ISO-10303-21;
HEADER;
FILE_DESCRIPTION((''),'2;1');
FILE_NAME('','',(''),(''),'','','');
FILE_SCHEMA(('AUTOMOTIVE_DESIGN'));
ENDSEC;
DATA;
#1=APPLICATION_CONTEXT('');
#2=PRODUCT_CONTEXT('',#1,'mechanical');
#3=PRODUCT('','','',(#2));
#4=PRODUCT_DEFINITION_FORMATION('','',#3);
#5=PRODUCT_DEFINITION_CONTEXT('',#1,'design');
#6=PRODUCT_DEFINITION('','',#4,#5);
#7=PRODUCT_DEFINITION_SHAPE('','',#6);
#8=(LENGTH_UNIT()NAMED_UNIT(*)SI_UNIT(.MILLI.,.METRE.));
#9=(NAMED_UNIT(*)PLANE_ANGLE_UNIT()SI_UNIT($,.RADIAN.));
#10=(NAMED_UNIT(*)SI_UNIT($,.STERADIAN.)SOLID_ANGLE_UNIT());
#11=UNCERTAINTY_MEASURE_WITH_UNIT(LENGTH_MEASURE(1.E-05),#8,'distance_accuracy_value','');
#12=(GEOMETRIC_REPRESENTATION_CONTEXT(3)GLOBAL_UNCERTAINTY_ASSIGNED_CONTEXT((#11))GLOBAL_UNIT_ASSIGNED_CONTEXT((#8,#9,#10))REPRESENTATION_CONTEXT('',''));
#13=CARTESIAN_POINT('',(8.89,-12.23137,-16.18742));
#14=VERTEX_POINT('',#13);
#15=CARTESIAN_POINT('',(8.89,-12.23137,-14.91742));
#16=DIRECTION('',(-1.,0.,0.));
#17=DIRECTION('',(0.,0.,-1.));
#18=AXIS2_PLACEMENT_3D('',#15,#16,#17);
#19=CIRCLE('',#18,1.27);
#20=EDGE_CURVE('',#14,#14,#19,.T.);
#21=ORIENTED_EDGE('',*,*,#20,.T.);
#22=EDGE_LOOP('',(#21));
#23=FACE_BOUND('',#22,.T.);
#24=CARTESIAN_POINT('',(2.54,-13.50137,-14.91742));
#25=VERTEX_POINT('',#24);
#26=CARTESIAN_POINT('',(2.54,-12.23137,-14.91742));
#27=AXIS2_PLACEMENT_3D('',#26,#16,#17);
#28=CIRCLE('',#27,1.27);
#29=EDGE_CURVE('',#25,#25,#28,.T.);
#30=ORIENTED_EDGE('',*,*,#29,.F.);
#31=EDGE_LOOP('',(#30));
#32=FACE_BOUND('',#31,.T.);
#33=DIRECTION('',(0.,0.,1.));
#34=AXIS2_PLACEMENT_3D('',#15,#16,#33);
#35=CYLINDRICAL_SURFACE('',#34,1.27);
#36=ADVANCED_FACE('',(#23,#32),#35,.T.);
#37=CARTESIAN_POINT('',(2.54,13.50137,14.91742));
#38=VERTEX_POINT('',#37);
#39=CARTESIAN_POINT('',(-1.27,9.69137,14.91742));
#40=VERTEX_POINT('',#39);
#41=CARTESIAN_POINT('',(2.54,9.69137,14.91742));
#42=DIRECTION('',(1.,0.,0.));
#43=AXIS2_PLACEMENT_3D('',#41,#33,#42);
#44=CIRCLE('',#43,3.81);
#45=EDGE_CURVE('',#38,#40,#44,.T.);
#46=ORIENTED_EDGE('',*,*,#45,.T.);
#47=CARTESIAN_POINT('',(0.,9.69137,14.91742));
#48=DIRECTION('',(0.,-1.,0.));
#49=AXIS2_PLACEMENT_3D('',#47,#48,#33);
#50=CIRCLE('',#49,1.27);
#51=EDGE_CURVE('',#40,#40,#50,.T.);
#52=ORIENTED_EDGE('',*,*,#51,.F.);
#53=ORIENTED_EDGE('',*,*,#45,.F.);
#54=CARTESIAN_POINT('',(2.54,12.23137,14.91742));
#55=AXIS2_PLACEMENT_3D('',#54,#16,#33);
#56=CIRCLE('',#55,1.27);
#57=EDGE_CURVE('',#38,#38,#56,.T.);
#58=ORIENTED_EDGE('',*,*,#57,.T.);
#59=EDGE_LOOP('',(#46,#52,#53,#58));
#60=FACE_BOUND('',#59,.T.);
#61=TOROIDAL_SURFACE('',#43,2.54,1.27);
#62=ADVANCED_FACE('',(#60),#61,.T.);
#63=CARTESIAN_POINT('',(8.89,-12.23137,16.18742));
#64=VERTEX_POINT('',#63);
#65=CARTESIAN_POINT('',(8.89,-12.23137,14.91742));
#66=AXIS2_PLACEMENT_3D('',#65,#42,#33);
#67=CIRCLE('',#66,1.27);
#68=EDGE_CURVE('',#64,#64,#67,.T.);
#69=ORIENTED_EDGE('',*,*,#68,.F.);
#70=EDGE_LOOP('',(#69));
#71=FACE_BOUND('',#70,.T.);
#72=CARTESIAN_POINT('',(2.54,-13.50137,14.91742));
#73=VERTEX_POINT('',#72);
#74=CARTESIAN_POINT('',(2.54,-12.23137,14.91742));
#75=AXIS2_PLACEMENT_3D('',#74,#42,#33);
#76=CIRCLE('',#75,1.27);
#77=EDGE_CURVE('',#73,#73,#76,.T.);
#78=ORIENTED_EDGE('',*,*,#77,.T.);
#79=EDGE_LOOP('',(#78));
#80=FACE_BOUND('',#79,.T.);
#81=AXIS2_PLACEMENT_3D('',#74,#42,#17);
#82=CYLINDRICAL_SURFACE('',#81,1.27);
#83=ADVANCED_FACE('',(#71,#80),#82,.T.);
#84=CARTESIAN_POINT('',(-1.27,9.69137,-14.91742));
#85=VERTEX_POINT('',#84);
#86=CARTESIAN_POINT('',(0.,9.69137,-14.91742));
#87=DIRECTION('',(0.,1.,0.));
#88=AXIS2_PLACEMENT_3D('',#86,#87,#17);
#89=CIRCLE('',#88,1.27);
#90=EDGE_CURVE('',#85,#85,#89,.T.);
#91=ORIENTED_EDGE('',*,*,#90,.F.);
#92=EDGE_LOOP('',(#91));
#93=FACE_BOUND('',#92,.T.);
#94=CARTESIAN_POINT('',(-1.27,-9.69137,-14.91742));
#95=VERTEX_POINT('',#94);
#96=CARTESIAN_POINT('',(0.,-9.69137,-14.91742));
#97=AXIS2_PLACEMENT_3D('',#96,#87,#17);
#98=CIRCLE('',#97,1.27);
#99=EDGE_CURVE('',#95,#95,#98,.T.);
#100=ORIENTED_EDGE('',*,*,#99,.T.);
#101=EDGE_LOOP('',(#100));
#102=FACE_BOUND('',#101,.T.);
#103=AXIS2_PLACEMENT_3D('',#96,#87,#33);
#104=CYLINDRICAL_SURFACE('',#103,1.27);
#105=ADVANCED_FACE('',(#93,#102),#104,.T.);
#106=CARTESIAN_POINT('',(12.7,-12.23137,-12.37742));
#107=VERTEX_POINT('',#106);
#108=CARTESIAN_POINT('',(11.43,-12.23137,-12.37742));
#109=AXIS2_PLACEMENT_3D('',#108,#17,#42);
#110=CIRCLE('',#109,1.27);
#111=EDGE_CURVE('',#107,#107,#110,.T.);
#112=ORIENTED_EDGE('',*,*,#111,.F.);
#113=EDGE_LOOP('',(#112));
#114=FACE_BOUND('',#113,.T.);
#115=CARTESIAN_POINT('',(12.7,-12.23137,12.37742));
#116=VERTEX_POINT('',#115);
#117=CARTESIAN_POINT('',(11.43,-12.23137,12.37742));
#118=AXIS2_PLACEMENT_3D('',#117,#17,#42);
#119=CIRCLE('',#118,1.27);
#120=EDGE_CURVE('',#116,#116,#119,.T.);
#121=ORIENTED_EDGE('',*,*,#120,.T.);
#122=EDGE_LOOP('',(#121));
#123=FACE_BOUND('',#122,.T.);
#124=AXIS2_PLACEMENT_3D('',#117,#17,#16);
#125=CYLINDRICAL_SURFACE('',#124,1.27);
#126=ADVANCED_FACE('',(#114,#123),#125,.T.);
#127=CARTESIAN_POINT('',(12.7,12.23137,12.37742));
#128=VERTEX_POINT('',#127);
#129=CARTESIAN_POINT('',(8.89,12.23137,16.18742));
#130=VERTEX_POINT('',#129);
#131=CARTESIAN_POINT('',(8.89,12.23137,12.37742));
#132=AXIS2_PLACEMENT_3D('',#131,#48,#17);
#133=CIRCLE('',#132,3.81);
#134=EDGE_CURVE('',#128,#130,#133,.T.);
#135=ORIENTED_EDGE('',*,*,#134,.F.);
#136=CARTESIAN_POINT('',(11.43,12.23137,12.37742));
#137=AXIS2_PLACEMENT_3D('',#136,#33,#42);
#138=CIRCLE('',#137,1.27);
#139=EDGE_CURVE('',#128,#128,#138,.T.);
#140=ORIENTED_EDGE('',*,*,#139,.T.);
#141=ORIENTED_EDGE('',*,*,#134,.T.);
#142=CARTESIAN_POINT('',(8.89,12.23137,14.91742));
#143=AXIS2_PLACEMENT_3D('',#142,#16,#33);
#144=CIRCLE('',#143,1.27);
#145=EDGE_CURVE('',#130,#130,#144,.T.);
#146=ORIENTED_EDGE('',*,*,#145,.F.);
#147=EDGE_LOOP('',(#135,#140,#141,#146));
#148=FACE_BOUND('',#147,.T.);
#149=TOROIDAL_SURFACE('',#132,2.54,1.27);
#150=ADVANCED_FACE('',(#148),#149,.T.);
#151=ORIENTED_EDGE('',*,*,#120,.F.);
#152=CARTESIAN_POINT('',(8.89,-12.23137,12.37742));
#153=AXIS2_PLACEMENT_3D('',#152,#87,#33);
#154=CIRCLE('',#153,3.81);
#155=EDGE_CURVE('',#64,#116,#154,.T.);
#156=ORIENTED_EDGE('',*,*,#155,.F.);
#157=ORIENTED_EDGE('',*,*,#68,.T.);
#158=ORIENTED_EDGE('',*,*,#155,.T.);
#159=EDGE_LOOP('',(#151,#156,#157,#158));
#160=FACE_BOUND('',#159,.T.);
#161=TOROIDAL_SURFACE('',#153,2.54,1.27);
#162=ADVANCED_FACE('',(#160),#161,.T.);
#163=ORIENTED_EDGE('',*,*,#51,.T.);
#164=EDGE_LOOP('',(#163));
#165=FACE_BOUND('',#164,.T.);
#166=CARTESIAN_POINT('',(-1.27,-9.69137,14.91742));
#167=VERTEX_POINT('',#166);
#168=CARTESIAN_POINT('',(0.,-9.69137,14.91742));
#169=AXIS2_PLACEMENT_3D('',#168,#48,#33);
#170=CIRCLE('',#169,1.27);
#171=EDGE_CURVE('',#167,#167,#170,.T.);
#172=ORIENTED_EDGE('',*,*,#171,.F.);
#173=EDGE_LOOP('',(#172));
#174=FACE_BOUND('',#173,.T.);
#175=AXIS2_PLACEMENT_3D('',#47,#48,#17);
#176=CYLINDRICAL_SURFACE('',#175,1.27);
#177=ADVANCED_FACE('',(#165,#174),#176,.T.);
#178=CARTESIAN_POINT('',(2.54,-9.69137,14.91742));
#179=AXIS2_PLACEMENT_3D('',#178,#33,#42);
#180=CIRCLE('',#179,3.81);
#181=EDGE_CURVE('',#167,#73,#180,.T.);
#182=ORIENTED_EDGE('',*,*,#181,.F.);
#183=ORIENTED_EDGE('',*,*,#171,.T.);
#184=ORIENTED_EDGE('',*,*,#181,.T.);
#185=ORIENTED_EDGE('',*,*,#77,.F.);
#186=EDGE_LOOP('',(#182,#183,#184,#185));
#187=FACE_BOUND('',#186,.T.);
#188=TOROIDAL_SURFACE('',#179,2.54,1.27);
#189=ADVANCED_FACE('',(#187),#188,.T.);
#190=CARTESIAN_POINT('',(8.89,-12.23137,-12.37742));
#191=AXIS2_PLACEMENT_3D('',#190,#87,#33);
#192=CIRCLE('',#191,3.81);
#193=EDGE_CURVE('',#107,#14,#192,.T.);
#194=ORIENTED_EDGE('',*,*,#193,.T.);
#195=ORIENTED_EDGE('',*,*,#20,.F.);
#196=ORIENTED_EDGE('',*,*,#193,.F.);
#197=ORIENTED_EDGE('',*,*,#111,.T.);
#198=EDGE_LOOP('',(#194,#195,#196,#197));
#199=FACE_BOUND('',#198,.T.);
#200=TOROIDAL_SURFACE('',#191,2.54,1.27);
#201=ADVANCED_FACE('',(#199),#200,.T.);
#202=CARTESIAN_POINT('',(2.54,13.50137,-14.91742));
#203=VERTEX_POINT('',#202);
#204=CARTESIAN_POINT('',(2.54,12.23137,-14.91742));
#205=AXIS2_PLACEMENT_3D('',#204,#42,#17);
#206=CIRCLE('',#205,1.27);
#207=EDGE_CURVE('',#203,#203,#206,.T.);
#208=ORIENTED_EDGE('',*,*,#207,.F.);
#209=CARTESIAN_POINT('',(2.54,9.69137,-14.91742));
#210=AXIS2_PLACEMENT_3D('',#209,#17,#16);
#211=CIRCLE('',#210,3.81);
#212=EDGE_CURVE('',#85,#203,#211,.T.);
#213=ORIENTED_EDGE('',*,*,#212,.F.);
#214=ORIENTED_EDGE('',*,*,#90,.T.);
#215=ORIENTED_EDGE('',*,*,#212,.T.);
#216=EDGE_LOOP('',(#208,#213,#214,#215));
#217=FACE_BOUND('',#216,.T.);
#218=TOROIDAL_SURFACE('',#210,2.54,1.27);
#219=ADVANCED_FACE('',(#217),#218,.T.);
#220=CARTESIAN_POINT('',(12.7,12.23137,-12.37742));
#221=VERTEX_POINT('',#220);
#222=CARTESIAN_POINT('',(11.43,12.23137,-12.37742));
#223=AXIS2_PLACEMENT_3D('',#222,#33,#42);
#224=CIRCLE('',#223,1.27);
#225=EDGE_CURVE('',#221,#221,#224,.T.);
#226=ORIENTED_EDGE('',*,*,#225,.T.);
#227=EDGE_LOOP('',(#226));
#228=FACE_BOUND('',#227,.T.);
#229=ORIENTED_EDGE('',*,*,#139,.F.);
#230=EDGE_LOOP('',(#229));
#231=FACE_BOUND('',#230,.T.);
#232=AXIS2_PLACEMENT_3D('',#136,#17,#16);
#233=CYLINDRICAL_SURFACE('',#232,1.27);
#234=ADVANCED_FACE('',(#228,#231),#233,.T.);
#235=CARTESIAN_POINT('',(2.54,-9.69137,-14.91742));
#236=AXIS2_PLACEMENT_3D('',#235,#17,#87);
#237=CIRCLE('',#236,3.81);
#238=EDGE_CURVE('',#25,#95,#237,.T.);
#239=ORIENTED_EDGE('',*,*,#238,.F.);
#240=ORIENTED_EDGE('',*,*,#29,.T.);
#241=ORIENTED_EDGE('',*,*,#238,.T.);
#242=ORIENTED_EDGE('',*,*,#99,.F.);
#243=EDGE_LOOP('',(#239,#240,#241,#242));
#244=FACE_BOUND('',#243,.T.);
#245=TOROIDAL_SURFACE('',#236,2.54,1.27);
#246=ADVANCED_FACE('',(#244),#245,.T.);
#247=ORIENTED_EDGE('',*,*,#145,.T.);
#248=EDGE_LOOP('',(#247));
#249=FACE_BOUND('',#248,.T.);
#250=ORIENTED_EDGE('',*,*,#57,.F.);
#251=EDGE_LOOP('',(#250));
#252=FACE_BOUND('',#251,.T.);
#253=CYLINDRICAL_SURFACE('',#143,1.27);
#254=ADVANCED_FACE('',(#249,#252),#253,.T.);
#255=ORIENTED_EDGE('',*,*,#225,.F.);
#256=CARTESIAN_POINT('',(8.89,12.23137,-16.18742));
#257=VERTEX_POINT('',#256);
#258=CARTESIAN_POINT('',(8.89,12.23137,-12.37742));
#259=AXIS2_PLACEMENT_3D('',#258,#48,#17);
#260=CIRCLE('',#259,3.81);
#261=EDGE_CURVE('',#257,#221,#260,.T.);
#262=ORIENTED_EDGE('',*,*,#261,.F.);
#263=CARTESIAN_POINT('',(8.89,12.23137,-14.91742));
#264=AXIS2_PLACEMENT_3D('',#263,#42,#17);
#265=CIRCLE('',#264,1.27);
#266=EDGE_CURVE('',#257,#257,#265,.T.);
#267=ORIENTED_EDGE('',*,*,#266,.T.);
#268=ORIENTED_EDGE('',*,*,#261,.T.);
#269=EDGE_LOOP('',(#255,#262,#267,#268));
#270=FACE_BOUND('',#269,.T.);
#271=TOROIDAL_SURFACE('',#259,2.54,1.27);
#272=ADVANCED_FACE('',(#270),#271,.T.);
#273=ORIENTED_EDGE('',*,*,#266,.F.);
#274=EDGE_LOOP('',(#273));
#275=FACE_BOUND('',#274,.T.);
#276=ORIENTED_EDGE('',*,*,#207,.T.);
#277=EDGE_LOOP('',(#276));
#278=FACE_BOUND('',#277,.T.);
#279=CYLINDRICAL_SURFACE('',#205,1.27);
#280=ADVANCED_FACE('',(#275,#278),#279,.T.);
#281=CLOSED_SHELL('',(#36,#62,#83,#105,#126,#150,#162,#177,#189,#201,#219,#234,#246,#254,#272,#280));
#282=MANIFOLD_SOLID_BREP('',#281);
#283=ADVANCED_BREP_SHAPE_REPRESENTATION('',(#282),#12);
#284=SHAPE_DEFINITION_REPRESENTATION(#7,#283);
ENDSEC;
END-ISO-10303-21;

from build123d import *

# Parameters (mm, degrees)
SKETCH2_R = 1.27


with BuildPart() as part:
    # Sweep1: sweep along a curve in space
    with BuildLine() as sweep1_path:
        Line((2.54, 12.23137, 14.91742), (8.89, 12.23137, 14.91742))
        ThreePointArc((8.89, 12.23137, 14.91742), (10.686051224, 12.23137, 14.173471224), (11.43, 12.23137, 12.37742))
        Line((11.43, 12.23137, -12.37742), (11.43, 12.23137, 12.37742))
        ThreePointArc((11.43, 12.23137, -12.37742), (10.686051224, 12.23137, -14.173471224), (8.89, 12.23137, -14.91742))
        Line((2.54, 12.23137, -14.91742), (8.89, 12.23137, -14.91742))
        ThreePointArc((2.54, 12.23137, -14.91742), (0.743948776, 11.487421224, -14.91742), (0, 9.69137, -14.91742))
        Line((0, 9.69137, -14.91742), (0, -9.69137, -14.91742))
        ThreePointArc((0, -9.69137, -14.91742), (0.743948776, -11.487421224, -14.91742), (2.54, -12.23137, -14.91742))
        Line((2.54, -12.23137, -14.91742), (8.89, -12.23137, -14.91742))
        ThreePointArc((8.89, -12.23137, -14.91742), (10.686051224, -12.23137, -14.173471224), (11.43, -12.23137, -12.37742))
        Line((11.43, -12.23137, 12.37742), (11.43, -12.23137, -12.37742))
        ThreePointArc((11.43, -12.23137, 12.37742), (10.686051224, -12.23137, 14.173471224), (8.89, -12.23137, 14.91742))
        Line((2.54, -12.23137, 14.91742), (8.89, -12.23137, 14.91742))
        ThreePointArc((2.54, -12.23137, 14.91742), (0.743948776, -11.487421224, 14.91742), (0, -9.69137, 14.91742))
        Line((0, 9.69137, 14.91742), (0, -9.69137, 14.91742))
        ThreePointArc((0, 9.69137, 14.91742), (0.743948776, 11.487421224, 14.91742), (2.54, 12.23137, 14.91742))
    # Sketch2 → Sweep1 (sweep)
    with BuildSketch(Plane.XY):
        with Locations((11.43, 12.23137)):
            Circle(SKETCH2_R)
    sweep(path=sweep1_path.line)


solid = part.part
